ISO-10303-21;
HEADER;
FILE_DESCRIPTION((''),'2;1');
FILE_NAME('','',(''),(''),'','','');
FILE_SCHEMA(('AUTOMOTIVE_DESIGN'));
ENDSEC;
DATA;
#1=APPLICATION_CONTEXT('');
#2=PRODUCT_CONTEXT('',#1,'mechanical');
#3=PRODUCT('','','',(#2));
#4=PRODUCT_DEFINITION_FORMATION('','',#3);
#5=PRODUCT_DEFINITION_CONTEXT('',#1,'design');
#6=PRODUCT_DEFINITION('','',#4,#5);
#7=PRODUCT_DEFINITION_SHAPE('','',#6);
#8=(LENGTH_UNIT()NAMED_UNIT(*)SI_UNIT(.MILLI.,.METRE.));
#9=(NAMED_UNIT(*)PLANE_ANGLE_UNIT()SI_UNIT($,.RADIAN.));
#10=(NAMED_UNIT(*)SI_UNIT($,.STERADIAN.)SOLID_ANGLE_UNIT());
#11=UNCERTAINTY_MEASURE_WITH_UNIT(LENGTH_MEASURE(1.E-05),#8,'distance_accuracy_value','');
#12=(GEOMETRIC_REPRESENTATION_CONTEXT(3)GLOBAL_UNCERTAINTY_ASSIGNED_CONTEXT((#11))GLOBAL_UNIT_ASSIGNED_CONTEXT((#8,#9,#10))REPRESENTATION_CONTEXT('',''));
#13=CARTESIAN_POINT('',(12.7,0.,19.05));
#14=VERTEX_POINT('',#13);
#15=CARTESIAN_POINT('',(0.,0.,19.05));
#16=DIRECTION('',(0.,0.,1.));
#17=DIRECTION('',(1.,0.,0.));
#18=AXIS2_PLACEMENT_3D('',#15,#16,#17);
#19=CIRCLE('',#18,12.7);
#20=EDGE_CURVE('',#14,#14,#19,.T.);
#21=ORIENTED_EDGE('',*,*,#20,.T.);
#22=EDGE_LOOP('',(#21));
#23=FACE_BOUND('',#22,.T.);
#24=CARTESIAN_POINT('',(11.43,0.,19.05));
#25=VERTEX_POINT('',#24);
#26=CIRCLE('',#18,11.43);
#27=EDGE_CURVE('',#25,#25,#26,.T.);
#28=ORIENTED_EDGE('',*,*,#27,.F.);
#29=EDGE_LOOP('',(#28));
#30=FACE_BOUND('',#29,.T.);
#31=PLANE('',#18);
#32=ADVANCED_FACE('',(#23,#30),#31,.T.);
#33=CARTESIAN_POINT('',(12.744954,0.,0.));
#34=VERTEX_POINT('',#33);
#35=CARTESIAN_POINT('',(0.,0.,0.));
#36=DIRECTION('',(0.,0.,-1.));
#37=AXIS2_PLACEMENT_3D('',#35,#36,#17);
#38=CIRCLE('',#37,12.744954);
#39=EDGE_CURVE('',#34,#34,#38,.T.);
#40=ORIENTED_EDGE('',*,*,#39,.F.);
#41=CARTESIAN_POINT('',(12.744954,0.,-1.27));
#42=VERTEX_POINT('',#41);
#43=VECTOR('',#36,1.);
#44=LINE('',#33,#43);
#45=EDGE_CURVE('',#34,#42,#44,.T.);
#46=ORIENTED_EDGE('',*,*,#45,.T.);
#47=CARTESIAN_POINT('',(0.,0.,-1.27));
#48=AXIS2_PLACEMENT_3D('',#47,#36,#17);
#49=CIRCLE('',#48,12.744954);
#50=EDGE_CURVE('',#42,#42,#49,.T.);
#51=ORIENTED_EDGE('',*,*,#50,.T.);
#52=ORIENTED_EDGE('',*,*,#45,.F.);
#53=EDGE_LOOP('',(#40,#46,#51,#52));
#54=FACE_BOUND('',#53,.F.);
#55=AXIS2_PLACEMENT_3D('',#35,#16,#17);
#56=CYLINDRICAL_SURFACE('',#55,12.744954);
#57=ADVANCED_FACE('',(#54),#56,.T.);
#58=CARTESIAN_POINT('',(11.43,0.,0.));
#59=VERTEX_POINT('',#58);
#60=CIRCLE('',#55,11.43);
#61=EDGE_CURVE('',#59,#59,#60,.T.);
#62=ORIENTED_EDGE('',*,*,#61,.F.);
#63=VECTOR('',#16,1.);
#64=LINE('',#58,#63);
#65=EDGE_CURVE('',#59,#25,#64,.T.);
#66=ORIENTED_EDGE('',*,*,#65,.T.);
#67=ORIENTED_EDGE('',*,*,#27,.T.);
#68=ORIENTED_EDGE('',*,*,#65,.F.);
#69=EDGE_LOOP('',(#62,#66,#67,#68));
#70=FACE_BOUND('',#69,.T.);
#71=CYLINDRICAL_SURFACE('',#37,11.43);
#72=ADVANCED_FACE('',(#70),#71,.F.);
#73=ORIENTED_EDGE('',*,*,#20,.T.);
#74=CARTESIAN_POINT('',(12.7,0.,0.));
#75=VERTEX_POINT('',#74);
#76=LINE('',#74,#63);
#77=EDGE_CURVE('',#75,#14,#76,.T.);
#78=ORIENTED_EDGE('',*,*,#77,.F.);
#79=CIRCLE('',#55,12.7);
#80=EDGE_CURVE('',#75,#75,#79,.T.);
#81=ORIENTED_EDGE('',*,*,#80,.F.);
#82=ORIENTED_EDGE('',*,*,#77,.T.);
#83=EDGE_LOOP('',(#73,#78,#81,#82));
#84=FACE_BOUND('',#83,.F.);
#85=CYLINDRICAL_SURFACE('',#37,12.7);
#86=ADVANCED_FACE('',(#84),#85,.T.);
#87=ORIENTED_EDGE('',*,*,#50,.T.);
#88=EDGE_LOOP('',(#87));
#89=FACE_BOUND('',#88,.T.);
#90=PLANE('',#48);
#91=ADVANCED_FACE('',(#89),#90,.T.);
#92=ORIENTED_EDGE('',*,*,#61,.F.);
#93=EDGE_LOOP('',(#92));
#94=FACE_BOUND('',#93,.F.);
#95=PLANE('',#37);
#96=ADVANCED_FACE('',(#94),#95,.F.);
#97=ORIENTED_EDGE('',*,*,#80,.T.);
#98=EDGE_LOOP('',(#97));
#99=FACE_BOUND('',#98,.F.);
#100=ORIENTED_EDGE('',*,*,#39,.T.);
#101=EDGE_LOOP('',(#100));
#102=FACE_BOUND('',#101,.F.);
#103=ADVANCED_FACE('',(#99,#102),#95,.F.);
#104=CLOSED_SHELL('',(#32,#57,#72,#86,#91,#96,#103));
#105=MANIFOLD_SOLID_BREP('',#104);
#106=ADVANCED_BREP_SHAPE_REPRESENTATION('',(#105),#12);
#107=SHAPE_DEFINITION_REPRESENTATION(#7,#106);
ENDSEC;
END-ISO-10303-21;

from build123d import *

# Parameters (mm, degrees)
F0_R     = 12.7
F0_R_2   = 11.43
F1_DEPTH = 19.05
F2_R     = 12.744954
F3_DEPTH = 1.27


with BuildPart() as f1:
    # F0 (on Top) → F1 (new body)
    with BuildSketch(Plane.XY):
        Circle(F0_R)
        Circle(F0_R_2, mode=Mode.SUBTRACT)
    extrude(amount=F1_DEPTH)

    # F2 (on face) → F3 (join)
    with BuildSketch(Plane(origin=(0, 0, 0), x_dir=(1, 0, 0), z_dir=(0, 0, -1))):
        Circle(F2_R)
    extrude(amount=F3_DEPTH)


solid = f1.part
